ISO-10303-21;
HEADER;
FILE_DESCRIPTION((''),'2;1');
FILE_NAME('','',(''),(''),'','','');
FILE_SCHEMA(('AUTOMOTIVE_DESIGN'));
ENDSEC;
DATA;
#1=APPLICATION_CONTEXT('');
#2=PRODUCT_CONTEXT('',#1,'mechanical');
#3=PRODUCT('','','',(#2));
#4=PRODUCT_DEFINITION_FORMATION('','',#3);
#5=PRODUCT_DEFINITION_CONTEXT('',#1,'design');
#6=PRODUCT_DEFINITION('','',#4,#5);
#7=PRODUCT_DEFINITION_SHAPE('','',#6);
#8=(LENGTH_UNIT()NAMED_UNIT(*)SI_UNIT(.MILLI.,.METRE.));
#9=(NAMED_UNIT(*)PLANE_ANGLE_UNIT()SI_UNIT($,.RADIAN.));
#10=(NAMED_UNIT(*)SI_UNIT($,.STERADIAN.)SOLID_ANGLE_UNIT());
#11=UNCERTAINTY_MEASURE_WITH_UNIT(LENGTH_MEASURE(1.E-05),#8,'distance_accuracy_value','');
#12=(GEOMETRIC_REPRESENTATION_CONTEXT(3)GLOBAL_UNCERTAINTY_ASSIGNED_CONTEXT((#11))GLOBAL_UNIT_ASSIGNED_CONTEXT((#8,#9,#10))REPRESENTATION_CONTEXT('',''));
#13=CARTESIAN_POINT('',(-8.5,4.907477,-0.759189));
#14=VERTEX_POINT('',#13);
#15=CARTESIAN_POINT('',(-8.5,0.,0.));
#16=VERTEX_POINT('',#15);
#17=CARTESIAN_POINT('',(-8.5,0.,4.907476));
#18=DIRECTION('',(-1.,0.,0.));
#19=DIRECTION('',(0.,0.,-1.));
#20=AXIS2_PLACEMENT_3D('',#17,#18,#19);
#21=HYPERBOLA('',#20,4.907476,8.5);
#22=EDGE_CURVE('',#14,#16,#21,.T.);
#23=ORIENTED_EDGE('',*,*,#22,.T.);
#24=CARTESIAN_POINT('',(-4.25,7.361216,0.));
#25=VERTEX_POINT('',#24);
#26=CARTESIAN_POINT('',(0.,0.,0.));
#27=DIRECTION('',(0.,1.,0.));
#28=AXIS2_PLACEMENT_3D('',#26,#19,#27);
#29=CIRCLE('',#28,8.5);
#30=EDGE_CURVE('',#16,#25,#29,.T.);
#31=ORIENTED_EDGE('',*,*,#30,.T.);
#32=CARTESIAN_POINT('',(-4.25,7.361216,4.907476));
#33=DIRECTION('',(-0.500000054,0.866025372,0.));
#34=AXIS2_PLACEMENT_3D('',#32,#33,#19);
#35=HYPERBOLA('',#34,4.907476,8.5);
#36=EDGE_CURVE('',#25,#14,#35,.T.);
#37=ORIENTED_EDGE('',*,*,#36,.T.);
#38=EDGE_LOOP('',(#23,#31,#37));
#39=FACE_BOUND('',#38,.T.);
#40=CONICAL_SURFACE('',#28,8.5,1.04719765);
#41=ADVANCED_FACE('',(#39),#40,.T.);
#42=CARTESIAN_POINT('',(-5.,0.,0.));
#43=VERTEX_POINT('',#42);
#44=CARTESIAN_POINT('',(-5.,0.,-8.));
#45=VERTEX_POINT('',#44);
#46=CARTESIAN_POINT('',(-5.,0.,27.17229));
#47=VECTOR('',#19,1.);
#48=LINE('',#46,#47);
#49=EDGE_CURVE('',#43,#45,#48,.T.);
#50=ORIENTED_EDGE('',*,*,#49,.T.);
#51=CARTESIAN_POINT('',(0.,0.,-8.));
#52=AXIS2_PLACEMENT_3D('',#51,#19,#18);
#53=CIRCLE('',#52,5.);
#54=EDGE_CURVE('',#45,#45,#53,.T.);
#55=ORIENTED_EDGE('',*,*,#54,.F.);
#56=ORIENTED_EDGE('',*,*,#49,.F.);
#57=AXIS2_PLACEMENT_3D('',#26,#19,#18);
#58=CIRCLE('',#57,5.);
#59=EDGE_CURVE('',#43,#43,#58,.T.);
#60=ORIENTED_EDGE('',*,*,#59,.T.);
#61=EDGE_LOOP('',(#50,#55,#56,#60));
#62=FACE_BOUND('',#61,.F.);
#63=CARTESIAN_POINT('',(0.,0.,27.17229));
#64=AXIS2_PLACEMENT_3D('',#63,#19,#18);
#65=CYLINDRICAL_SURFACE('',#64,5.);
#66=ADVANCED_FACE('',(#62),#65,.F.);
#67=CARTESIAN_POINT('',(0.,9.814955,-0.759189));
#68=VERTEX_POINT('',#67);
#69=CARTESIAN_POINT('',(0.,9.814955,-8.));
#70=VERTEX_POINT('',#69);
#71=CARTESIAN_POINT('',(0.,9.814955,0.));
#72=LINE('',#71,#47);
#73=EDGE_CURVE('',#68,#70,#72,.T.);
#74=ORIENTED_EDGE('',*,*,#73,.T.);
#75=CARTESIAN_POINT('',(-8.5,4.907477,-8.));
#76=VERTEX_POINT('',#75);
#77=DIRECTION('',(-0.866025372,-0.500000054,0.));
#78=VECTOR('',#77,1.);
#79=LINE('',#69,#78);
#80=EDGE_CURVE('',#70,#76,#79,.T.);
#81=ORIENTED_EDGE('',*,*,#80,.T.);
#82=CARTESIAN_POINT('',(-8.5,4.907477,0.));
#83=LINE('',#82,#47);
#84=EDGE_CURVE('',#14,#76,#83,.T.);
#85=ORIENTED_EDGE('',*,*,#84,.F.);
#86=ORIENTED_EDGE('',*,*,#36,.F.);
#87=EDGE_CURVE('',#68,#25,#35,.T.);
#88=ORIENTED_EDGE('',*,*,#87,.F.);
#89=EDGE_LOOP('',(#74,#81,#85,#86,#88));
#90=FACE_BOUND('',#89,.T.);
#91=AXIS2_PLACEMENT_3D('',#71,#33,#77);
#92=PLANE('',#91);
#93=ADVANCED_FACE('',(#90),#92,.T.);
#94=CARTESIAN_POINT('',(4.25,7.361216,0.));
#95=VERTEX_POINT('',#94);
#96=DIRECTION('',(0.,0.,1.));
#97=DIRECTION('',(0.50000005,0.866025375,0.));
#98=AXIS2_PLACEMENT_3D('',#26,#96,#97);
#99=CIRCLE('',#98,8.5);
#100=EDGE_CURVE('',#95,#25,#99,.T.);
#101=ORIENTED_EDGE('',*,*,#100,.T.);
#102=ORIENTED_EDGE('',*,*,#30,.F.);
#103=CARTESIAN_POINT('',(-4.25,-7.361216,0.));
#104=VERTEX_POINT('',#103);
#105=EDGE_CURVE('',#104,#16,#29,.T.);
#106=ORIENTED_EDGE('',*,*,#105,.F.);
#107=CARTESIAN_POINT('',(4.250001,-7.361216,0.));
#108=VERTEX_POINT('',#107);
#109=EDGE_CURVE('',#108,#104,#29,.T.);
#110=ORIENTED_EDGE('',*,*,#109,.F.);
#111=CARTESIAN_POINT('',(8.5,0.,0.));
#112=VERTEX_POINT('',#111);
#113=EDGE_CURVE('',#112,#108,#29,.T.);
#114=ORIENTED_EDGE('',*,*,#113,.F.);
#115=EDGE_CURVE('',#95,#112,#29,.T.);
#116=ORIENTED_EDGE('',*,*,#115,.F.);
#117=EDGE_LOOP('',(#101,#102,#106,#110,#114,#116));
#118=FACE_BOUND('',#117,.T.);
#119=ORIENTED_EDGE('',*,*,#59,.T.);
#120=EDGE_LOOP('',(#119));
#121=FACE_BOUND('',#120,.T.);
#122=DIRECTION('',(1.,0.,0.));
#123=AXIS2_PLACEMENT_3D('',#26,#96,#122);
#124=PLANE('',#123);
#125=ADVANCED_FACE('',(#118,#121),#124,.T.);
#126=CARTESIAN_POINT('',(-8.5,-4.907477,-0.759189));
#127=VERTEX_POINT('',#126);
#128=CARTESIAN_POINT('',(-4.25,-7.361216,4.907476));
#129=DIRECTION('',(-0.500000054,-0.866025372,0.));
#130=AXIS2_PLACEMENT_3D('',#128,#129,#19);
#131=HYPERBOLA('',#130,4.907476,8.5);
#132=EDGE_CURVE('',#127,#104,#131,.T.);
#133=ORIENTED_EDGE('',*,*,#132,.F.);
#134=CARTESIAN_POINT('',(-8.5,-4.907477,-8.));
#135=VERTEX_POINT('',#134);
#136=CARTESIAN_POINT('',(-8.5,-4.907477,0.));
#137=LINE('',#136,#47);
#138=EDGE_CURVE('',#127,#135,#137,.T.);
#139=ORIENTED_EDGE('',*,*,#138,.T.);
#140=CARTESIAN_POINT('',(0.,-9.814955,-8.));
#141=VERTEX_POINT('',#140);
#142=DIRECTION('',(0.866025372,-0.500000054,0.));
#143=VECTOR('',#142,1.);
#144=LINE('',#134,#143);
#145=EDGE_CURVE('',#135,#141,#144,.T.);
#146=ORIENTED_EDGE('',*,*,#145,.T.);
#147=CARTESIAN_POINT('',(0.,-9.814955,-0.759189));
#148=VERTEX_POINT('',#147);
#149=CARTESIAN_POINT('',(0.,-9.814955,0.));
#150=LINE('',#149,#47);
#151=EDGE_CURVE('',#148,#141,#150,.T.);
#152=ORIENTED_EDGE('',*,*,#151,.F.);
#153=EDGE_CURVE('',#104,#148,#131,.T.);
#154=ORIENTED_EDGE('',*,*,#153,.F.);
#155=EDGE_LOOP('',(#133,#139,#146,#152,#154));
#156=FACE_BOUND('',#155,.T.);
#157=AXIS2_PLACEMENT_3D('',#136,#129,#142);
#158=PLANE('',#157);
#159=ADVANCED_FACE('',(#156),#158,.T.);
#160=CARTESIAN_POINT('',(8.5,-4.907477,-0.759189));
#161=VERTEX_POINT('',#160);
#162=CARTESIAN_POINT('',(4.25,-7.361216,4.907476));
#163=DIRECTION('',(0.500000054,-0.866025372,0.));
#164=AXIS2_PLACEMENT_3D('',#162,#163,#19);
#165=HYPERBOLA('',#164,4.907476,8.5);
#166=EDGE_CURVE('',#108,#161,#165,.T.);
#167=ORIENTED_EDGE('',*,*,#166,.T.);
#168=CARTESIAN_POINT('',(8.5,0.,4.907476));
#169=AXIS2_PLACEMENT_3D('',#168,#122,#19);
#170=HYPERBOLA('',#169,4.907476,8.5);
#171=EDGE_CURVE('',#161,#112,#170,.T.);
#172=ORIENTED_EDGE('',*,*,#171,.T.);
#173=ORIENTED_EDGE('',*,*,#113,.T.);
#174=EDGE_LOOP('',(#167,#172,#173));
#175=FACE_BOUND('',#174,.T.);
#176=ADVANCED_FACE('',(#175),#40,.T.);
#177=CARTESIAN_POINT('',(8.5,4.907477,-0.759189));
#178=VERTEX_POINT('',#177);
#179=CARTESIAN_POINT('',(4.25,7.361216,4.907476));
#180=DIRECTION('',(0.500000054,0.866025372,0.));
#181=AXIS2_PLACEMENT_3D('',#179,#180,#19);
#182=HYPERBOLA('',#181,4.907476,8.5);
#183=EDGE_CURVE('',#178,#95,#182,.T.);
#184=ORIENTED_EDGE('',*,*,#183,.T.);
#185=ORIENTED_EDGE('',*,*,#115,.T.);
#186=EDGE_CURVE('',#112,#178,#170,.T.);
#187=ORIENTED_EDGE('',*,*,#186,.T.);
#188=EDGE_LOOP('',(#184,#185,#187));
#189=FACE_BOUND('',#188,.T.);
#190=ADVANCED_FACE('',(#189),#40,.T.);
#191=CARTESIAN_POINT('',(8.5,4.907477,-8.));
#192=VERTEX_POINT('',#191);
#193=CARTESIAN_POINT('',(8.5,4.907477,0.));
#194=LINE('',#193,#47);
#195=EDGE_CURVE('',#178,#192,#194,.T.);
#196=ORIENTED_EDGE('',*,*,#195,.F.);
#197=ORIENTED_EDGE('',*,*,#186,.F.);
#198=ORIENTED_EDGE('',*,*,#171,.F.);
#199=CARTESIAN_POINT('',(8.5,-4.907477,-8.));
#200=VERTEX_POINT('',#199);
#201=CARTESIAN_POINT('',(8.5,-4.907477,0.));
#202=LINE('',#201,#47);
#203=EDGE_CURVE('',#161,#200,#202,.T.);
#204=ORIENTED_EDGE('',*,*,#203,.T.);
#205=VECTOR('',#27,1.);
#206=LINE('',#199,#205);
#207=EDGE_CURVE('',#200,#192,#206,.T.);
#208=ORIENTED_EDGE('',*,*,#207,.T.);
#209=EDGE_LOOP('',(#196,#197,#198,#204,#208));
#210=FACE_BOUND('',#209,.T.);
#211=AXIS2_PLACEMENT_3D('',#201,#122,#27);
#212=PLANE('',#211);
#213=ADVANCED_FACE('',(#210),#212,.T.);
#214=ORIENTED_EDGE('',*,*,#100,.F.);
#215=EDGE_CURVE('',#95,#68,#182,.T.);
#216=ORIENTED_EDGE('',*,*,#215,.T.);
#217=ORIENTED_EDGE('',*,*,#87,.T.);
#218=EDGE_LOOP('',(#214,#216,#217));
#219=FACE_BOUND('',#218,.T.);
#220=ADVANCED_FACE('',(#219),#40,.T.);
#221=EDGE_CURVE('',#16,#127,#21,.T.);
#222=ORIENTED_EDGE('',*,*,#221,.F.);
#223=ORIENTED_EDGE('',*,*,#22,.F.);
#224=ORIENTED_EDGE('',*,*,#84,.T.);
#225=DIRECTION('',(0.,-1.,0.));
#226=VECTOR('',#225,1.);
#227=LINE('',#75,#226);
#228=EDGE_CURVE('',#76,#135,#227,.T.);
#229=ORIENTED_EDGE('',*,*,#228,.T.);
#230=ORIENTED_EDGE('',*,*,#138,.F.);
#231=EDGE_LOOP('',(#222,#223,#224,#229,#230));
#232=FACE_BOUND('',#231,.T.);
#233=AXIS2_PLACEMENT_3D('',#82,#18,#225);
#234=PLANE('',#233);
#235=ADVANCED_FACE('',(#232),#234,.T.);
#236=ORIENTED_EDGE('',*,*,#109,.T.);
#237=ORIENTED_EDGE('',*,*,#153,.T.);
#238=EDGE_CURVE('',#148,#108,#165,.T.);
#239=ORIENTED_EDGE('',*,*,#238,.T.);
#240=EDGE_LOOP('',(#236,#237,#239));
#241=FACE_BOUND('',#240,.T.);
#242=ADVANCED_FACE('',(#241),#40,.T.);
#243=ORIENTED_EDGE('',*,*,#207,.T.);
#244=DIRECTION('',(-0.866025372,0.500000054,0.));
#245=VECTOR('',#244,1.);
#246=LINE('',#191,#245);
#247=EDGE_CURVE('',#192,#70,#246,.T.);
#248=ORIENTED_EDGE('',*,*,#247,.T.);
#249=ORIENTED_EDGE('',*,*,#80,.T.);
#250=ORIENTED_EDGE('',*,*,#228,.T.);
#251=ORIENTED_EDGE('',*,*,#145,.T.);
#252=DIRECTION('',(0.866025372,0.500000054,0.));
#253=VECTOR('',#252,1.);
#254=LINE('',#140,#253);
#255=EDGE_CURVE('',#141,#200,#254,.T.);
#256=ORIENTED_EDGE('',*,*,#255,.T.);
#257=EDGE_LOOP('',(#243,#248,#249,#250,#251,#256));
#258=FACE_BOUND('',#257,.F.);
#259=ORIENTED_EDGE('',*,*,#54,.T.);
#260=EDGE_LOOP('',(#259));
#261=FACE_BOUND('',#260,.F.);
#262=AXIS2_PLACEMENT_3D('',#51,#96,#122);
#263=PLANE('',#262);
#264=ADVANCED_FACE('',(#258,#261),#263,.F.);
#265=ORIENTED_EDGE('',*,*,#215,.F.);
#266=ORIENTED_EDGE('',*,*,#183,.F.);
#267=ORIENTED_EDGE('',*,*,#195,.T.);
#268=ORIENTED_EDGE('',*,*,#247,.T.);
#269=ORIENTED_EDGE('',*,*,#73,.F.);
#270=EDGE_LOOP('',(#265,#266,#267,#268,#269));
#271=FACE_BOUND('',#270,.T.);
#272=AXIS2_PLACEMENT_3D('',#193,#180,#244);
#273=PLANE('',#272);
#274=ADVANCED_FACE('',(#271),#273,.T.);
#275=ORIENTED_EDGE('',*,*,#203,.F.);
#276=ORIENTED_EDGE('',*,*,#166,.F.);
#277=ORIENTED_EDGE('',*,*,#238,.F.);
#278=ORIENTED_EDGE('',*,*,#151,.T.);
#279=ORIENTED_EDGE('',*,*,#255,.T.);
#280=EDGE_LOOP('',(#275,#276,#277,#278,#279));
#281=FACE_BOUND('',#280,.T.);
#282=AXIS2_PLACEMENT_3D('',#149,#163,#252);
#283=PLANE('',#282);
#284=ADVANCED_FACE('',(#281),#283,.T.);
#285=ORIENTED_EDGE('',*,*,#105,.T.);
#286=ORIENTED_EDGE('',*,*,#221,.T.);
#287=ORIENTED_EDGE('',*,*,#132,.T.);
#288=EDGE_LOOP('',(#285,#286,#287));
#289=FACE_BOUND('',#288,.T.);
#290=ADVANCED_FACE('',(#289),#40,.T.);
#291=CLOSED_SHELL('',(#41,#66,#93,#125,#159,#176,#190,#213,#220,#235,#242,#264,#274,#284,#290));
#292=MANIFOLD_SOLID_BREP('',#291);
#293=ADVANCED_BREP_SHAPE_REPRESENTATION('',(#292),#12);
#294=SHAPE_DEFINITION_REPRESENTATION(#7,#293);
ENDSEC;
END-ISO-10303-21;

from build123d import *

# Parameters (mm, degrees)
F1_DEPTH = 8
F4_D     = 10


with BuildPart() as f1:
    # F0 (on Top) → F1 (new body)
    with BuildSketch(Plane.XY):
        Polygon((8.5, -4.907477), (8.5, 4.907477), (0, 9.814955), (-8.5, 4.907477), (-8.5, -4.907477), (0, -9.814955), align=None)
    extrude(amount=-F1_DEPTH)

    # F2 (on Right) → F3 (revolve, cut)
    with BuildSketch(Plane.YZ):
        Polygon((13.814955, 0), (8.5, 0), (13.814955, -3.06859), align=None)
    revolve(axis=Axis((0, 0, -3.475147), (0, 0, -1)), mode=Mode.SUBTRACT)

    # F4 (through all)
    with Locations(Plane.XY):
        with Locations((0, 0)):
            Hole(F4_D / 2)


solid = f1.part
